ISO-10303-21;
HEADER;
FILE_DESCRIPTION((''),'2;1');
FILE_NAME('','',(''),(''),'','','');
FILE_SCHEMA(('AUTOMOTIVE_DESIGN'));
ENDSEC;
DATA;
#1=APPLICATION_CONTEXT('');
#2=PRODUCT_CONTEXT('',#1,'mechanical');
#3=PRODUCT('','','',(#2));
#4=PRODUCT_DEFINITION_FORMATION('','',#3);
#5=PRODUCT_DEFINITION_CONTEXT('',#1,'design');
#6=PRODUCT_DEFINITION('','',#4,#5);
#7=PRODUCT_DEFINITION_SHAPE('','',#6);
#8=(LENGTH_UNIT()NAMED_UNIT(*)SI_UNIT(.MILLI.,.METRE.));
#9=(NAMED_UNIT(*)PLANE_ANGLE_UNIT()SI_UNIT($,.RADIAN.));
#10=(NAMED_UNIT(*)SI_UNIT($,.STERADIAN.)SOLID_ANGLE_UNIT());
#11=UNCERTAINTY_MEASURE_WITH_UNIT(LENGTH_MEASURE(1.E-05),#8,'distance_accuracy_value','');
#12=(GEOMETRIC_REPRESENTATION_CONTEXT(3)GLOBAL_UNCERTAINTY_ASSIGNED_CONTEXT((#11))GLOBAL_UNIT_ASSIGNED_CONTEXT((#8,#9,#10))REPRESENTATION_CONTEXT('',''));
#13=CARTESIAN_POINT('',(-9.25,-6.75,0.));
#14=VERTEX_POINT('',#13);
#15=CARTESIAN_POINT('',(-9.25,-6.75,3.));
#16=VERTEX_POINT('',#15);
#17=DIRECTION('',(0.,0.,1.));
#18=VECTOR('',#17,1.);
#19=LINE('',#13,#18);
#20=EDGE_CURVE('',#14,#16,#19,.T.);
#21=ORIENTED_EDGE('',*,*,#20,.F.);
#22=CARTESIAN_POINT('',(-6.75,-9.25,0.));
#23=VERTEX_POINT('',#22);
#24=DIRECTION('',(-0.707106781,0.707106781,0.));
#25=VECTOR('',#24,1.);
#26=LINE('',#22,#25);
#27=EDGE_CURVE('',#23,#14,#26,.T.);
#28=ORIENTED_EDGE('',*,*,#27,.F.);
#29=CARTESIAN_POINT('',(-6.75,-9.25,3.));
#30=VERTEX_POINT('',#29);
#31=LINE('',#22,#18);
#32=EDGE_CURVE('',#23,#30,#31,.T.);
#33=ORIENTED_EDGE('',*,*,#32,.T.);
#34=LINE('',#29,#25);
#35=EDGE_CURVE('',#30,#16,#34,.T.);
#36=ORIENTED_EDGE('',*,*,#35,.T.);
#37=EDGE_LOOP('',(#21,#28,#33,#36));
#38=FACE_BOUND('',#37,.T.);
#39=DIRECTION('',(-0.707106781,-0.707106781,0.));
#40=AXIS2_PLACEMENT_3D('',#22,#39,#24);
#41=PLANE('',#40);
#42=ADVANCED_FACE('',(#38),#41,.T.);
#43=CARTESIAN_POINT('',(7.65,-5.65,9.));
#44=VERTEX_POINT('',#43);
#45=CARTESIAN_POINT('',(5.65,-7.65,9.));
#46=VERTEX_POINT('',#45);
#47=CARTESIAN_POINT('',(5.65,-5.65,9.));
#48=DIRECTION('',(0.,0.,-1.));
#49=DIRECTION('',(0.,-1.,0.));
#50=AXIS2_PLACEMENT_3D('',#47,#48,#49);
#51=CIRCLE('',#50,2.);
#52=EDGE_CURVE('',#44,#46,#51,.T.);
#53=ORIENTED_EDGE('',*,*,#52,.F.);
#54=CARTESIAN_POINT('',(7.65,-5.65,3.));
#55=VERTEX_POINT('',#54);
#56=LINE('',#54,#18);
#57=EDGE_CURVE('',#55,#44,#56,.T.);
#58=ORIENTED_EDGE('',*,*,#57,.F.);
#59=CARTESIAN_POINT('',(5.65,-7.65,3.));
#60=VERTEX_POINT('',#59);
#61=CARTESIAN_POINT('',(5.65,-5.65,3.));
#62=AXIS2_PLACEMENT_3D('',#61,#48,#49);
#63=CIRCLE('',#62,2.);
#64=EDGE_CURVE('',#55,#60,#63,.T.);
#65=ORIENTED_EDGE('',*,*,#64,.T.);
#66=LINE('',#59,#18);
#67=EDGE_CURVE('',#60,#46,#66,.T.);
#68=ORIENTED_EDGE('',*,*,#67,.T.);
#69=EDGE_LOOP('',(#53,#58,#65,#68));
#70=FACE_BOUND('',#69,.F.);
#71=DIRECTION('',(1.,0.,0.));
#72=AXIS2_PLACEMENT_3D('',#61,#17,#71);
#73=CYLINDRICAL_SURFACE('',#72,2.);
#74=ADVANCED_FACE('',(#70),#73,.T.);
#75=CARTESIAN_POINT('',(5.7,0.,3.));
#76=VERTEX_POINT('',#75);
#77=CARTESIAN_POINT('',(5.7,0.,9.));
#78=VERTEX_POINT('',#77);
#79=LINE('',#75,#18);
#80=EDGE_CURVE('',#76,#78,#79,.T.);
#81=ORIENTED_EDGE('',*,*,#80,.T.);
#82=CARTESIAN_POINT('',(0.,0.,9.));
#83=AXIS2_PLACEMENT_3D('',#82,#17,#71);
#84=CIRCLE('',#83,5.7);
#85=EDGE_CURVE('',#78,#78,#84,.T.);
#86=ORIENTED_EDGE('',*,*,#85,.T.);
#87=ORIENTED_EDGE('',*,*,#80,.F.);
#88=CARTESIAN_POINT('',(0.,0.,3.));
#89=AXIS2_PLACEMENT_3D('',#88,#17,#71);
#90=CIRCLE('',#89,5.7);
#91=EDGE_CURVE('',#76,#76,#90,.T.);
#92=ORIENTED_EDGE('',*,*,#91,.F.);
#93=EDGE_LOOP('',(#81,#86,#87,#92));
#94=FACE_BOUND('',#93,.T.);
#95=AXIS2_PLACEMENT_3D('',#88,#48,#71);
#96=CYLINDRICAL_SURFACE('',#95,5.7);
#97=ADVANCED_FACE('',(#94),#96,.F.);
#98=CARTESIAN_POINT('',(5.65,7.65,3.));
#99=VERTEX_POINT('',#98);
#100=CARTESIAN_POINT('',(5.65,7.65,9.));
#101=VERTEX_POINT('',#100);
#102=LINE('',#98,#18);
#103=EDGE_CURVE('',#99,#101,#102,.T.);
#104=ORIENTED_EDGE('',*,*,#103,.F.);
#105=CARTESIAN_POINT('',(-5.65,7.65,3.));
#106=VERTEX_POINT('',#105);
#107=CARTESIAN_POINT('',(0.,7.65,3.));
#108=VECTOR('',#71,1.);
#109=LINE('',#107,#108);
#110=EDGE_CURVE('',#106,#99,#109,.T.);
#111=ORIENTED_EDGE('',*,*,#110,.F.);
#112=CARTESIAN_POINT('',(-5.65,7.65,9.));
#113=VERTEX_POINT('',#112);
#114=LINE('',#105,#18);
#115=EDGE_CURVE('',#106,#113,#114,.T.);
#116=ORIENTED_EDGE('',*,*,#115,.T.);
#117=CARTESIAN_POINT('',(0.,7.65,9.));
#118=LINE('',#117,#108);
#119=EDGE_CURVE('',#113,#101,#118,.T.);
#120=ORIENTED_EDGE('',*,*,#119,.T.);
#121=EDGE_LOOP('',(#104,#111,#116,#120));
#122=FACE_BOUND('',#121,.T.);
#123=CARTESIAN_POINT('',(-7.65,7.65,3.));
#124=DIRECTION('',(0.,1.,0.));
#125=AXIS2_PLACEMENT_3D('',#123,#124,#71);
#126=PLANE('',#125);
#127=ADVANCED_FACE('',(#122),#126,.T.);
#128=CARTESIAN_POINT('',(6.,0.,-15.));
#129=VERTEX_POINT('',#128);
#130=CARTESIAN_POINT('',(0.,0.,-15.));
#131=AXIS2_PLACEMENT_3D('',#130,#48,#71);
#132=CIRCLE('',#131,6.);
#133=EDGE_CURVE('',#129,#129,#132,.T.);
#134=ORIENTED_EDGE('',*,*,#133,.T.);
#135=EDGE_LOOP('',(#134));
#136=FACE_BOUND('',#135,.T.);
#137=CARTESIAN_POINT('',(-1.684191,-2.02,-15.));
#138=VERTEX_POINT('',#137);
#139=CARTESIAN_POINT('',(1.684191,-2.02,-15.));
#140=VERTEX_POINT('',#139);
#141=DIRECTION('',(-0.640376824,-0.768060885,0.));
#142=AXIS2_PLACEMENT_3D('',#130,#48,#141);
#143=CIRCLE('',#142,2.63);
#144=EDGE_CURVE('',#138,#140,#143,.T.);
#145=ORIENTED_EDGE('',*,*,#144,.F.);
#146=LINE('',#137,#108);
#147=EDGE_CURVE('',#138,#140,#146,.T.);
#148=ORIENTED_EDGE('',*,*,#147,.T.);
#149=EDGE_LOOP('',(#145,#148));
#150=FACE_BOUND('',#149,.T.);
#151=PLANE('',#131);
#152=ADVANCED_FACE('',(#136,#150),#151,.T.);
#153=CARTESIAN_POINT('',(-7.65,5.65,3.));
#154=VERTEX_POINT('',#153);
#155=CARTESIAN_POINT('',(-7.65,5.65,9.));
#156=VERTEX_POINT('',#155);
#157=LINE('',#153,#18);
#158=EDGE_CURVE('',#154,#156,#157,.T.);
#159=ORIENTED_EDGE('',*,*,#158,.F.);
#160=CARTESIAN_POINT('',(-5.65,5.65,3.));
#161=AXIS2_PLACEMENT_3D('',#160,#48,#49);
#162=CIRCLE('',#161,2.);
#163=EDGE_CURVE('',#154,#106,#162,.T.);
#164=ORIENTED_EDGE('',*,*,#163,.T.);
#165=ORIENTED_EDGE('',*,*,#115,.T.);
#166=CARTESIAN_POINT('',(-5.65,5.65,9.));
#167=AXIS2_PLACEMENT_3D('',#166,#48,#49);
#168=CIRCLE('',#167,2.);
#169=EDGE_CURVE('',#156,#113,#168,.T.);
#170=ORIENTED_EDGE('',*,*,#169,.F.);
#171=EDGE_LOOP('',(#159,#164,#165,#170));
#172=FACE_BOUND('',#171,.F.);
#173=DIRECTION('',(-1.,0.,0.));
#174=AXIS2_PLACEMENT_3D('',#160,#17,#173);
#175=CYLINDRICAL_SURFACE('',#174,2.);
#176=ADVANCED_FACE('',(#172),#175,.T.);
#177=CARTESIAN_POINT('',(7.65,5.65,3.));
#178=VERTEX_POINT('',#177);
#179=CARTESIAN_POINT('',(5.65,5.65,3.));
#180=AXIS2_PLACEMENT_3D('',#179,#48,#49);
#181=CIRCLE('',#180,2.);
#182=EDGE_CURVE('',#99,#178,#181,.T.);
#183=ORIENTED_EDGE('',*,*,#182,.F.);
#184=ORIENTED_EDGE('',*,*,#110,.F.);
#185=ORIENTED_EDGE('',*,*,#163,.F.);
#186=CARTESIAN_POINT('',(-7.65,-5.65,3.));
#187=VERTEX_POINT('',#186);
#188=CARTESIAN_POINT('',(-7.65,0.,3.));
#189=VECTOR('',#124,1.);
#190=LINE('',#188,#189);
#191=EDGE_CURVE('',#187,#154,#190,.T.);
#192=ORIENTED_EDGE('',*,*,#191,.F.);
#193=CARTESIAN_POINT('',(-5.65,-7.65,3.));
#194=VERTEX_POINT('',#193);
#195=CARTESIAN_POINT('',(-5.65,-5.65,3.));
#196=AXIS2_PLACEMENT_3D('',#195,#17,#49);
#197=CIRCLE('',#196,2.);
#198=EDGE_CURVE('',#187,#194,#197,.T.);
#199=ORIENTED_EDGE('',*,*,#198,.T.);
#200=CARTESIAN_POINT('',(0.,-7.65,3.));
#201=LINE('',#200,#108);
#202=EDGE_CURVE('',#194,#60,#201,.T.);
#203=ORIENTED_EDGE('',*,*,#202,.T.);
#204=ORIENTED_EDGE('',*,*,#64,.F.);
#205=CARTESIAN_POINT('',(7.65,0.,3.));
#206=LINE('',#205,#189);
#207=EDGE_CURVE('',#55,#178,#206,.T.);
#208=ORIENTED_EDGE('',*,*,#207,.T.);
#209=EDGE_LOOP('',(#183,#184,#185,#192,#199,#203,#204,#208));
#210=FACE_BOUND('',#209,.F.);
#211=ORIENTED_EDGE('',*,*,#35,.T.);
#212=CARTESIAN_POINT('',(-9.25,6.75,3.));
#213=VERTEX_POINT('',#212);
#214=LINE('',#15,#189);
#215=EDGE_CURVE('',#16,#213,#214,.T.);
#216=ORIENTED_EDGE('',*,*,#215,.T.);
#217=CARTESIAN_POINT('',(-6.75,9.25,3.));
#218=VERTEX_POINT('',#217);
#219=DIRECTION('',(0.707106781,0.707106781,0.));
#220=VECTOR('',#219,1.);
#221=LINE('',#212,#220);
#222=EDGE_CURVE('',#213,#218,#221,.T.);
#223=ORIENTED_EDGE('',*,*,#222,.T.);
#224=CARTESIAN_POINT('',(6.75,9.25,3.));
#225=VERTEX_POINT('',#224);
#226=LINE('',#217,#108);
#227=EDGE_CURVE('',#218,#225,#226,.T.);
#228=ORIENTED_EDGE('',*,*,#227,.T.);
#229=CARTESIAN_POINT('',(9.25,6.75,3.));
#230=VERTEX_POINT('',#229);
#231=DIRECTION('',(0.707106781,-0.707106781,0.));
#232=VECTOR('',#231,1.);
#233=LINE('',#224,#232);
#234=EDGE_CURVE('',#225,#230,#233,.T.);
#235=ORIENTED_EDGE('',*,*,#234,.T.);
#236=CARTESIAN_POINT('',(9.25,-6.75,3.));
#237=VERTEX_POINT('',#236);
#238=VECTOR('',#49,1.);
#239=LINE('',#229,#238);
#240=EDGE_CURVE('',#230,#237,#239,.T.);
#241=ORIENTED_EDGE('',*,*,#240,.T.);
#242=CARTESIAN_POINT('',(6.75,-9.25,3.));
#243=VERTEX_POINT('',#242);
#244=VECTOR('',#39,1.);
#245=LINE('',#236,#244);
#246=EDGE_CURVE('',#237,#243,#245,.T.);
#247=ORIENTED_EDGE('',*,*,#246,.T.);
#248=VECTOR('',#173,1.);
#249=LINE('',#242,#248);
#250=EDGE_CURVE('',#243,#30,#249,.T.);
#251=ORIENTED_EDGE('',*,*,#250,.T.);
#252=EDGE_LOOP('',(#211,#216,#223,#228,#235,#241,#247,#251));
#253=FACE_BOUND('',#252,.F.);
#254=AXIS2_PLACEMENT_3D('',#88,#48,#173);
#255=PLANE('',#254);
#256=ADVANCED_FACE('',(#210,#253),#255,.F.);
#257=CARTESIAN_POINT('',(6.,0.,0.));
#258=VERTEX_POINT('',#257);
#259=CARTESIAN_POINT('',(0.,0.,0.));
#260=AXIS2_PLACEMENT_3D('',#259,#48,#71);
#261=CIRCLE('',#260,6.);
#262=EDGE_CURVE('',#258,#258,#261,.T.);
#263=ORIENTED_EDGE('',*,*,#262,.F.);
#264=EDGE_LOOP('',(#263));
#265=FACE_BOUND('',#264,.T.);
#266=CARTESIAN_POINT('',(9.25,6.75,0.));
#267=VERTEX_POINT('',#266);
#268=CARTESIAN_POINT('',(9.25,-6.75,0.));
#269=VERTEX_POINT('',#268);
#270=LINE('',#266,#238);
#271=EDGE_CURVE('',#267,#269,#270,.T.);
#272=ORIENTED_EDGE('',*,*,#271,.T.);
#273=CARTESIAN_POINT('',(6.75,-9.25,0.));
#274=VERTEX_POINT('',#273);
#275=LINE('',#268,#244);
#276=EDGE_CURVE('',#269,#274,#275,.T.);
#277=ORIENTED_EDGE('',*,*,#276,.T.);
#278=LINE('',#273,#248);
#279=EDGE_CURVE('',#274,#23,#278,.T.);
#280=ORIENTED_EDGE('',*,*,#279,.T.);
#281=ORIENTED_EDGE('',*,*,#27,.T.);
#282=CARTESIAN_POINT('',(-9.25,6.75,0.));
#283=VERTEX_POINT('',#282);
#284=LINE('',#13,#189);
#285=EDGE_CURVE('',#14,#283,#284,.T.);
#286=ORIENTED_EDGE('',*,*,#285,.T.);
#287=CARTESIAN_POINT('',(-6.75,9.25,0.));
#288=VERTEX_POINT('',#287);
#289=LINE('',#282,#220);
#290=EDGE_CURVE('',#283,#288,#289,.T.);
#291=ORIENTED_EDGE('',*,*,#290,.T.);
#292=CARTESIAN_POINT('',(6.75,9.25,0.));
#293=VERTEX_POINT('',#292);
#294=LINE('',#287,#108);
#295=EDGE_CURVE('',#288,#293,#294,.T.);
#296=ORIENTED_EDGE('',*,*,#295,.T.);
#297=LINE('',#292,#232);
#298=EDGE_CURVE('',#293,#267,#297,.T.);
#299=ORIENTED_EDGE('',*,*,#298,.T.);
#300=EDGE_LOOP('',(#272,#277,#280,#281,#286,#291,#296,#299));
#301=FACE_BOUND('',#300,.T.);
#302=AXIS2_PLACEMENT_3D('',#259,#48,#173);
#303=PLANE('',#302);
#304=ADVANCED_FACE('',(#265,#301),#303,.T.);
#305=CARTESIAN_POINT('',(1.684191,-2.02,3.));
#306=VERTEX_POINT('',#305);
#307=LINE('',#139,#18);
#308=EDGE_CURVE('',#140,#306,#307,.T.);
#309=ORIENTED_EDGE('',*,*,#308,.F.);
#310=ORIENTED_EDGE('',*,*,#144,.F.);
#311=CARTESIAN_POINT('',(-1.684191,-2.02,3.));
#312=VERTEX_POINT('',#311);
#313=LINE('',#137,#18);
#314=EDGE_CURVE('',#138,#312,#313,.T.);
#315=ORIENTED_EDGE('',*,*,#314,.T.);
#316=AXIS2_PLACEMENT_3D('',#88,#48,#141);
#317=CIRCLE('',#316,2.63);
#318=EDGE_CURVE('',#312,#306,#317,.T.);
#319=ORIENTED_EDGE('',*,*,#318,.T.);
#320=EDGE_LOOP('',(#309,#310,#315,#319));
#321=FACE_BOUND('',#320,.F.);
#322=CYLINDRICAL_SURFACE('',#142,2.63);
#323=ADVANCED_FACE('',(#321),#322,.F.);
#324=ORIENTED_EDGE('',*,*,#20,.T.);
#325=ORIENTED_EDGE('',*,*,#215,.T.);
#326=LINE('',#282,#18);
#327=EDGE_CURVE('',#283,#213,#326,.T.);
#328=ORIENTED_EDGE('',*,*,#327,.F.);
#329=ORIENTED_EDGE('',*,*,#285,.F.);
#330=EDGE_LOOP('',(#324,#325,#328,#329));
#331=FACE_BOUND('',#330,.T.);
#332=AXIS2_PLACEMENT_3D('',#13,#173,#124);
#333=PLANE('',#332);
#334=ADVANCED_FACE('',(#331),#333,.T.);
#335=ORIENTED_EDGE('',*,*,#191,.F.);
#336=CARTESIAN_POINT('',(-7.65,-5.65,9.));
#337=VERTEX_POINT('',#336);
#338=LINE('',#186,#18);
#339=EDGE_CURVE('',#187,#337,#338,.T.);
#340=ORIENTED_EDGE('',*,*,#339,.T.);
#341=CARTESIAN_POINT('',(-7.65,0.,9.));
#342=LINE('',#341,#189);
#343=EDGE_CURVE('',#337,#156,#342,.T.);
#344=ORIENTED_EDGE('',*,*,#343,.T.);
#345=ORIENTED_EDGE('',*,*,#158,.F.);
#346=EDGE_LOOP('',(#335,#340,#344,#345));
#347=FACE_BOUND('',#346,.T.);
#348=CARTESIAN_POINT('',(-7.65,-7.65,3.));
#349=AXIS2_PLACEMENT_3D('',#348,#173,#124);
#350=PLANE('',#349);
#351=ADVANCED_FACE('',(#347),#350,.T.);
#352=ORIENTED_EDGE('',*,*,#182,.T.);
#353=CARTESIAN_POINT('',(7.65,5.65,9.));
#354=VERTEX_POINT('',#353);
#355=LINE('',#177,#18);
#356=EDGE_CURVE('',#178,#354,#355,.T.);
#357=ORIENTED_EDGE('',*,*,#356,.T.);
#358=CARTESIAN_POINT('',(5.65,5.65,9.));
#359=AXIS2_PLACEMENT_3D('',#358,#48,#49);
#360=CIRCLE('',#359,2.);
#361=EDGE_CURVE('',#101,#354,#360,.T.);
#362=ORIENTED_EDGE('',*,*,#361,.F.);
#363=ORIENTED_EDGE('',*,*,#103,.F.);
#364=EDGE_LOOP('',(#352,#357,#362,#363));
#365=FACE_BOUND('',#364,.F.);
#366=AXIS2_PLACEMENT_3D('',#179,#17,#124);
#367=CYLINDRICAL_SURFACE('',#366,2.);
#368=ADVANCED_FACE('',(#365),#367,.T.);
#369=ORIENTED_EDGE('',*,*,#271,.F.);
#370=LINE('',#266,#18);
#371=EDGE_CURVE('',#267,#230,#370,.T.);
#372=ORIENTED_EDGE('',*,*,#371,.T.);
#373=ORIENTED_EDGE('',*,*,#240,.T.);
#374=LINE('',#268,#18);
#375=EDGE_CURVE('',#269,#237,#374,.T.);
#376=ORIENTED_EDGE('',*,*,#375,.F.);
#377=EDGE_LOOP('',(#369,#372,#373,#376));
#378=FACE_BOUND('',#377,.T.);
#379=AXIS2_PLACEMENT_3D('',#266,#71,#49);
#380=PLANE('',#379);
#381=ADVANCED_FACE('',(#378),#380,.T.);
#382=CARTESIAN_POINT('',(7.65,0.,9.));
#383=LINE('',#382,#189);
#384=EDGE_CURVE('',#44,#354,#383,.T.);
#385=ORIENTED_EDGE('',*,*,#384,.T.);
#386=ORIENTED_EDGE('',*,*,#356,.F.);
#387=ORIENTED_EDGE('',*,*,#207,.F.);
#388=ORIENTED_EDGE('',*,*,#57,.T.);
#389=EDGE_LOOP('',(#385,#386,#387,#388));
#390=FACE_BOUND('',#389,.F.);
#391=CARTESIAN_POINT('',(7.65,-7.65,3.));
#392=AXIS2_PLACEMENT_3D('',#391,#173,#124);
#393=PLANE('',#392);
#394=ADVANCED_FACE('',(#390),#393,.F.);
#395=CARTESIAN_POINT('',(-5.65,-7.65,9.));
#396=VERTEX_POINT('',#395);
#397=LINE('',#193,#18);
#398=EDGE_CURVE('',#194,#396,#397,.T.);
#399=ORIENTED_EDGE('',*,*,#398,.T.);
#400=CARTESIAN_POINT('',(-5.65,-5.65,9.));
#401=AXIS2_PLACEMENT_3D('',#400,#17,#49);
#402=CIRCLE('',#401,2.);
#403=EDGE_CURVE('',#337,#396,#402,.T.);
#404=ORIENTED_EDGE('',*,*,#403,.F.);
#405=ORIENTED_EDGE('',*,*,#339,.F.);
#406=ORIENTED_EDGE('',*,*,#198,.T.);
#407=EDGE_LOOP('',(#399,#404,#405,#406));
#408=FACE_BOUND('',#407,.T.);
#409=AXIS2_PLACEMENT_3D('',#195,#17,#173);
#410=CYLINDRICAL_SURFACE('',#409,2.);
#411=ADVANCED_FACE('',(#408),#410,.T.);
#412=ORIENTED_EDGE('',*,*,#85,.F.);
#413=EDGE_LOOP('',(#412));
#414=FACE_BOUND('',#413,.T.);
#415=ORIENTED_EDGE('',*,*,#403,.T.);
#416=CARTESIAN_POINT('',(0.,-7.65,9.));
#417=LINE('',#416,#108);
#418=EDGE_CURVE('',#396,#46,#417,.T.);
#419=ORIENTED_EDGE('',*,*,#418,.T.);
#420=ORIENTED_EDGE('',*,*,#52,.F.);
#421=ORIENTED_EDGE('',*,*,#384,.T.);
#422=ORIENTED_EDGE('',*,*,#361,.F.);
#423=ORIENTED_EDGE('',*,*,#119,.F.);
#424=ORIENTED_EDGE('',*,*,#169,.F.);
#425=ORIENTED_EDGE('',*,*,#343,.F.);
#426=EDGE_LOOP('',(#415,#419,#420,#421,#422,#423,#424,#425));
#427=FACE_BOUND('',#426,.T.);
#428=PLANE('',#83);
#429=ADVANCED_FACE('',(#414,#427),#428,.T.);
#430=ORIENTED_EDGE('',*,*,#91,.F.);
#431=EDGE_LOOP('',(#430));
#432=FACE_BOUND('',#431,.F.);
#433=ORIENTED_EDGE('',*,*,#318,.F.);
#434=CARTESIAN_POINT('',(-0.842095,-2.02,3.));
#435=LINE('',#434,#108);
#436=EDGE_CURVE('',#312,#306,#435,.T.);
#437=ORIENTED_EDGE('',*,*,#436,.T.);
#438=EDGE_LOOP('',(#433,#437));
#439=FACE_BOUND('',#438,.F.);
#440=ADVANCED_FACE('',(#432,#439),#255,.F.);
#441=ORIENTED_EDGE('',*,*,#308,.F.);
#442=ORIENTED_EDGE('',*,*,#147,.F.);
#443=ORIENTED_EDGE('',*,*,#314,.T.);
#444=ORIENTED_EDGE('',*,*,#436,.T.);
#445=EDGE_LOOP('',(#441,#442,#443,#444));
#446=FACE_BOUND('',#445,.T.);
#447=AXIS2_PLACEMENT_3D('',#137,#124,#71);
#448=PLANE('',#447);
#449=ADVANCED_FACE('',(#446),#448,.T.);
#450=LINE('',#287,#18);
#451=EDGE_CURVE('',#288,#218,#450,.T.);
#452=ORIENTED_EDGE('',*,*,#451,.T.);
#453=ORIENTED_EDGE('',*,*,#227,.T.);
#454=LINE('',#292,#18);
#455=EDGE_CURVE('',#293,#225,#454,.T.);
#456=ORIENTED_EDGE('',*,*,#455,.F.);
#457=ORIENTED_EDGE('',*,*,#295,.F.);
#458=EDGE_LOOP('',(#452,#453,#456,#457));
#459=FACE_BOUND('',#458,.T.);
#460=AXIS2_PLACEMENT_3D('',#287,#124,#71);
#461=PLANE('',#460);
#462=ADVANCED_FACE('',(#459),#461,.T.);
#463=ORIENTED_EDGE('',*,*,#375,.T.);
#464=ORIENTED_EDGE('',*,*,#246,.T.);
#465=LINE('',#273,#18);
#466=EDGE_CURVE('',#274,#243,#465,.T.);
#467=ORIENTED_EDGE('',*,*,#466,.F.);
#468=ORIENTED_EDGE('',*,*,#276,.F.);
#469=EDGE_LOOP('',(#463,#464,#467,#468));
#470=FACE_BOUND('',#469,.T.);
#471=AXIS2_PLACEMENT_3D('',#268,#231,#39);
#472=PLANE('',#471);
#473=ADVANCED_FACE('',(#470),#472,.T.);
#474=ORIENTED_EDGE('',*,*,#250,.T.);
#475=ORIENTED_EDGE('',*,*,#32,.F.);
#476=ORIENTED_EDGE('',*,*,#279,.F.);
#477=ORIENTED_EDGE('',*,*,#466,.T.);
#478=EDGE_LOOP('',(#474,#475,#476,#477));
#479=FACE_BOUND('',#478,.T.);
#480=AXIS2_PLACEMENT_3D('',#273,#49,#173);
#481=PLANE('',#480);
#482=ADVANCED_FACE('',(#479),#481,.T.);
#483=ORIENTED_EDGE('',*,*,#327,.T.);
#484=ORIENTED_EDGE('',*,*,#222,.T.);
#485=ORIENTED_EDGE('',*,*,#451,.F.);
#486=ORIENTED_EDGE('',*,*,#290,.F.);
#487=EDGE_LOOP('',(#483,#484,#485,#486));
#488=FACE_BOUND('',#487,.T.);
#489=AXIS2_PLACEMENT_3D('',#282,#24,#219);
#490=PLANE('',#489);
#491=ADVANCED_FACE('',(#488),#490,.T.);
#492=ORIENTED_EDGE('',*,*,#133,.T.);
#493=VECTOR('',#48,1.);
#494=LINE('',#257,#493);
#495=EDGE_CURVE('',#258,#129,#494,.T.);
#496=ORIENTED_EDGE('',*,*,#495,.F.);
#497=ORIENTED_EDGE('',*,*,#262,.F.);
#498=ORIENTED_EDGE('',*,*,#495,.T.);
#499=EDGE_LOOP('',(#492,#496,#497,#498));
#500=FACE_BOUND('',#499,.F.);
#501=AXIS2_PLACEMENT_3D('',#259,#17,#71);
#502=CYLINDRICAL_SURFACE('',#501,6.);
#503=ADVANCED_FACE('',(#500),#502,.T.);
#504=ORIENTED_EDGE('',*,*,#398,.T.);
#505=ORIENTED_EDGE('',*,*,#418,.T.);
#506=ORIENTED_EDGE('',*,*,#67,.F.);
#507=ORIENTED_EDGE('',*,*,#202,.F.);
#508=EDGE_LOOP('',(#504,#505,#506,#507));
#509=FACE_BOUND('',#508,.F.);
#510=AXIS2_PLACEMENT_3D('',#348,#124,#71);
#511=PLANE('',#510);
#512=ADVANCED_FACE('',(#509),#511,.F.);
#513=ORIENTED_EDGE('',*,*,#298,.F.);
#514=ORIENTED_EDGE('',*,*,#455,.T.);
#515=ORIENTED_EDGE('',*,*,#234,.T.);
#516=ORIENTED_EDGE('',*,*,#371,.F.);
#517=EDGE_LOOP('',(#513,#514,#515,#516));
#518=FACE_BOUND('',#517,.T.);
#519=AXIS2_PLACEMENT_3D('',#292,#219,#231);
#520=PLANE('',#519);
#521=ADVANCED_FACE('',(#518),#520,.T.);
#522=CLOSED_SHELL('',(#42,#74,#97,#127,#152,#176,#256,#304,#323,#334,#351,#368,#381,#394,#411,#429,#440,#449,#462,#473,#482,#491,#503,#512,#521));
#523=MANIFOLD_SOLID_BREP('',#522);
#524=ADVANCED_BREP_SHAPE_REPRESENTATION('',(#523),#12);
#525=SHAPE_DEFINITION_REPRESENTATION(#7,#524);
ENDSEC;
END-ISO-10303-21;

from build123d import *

# Parameters (mm, degrees)
PAD_DEPTH    = 3
SKETCH001_W  = 15.3
SKETCH001_H  = 15.3
SKETCH001_R  = 5.7
PAD001_DEPTH = 6
SKETCH002_R  = 6
PAD002_DEPTH = 15
POCKET_DEPTH = 24.001
FILLET_R     = 2


with BuildPart() as part:
    # Sketch → Pad (new body)
    with BuildSketch(Plane.XY):
        Polygon((-9.25, 6.75), (-6.75, 9.25), (6.75, 9.25), (9.25, 6.75), (9.25, -6.75), (6.75, -9.25), (-6.75, -9.25), (-9.25, -6.75), align=None)
    extrude(amount=PAD_DEPTH)

    # Sketch001 → Pad001 (new body)
    with BuildSketch(Plane.XY.offset(3)):
        Rectangle(SKETCH001_W, SKETCH001_H)
        Circle(SKETCH001_R, mode=Mode.SUBTRACT)
    extrude(amount=PAD001_DEPTH)

    # Sketch002 → Pad002 (new body)
    with BuildSketch(Plane(origin=(0, 0, 0), x_dir=(1, 0, 0), z_dir=(0, 0, -1))):
        Circle(SKETCH002_R)
    extrude(amount=PAD002_DEPTH)

    # Sketch003 → Pocket (cut, through all)
    with BuildSketch(Plane(origin=(0, 0, -15), x_dir=(1, 0, 0), z_dir=(0, 0, -1))):
        with BuildLine():
            Line((-1.684191, 2.02), (1.684191, 2.02))
            ThreePointArc((-1.684191, 2.02), (0, -2.63), (1.684191, 2.02))
        make_face()
    extrude(amount=-POCKET_DEPTH, mode=Mode.SUBTRACT)

    # Fillet
    fillet_edges = [part.edges().sort_by_distance(p)[0] for p in [
        (-7.65, -7.65, 6),
        (7.65, -7.65, 6),
        (-7.65, 7.65, 6),
        (7.65, 7.65, 6),
    ]]
    fillet(fillet_edges, radius=FILLET_R)


solid = part.part
